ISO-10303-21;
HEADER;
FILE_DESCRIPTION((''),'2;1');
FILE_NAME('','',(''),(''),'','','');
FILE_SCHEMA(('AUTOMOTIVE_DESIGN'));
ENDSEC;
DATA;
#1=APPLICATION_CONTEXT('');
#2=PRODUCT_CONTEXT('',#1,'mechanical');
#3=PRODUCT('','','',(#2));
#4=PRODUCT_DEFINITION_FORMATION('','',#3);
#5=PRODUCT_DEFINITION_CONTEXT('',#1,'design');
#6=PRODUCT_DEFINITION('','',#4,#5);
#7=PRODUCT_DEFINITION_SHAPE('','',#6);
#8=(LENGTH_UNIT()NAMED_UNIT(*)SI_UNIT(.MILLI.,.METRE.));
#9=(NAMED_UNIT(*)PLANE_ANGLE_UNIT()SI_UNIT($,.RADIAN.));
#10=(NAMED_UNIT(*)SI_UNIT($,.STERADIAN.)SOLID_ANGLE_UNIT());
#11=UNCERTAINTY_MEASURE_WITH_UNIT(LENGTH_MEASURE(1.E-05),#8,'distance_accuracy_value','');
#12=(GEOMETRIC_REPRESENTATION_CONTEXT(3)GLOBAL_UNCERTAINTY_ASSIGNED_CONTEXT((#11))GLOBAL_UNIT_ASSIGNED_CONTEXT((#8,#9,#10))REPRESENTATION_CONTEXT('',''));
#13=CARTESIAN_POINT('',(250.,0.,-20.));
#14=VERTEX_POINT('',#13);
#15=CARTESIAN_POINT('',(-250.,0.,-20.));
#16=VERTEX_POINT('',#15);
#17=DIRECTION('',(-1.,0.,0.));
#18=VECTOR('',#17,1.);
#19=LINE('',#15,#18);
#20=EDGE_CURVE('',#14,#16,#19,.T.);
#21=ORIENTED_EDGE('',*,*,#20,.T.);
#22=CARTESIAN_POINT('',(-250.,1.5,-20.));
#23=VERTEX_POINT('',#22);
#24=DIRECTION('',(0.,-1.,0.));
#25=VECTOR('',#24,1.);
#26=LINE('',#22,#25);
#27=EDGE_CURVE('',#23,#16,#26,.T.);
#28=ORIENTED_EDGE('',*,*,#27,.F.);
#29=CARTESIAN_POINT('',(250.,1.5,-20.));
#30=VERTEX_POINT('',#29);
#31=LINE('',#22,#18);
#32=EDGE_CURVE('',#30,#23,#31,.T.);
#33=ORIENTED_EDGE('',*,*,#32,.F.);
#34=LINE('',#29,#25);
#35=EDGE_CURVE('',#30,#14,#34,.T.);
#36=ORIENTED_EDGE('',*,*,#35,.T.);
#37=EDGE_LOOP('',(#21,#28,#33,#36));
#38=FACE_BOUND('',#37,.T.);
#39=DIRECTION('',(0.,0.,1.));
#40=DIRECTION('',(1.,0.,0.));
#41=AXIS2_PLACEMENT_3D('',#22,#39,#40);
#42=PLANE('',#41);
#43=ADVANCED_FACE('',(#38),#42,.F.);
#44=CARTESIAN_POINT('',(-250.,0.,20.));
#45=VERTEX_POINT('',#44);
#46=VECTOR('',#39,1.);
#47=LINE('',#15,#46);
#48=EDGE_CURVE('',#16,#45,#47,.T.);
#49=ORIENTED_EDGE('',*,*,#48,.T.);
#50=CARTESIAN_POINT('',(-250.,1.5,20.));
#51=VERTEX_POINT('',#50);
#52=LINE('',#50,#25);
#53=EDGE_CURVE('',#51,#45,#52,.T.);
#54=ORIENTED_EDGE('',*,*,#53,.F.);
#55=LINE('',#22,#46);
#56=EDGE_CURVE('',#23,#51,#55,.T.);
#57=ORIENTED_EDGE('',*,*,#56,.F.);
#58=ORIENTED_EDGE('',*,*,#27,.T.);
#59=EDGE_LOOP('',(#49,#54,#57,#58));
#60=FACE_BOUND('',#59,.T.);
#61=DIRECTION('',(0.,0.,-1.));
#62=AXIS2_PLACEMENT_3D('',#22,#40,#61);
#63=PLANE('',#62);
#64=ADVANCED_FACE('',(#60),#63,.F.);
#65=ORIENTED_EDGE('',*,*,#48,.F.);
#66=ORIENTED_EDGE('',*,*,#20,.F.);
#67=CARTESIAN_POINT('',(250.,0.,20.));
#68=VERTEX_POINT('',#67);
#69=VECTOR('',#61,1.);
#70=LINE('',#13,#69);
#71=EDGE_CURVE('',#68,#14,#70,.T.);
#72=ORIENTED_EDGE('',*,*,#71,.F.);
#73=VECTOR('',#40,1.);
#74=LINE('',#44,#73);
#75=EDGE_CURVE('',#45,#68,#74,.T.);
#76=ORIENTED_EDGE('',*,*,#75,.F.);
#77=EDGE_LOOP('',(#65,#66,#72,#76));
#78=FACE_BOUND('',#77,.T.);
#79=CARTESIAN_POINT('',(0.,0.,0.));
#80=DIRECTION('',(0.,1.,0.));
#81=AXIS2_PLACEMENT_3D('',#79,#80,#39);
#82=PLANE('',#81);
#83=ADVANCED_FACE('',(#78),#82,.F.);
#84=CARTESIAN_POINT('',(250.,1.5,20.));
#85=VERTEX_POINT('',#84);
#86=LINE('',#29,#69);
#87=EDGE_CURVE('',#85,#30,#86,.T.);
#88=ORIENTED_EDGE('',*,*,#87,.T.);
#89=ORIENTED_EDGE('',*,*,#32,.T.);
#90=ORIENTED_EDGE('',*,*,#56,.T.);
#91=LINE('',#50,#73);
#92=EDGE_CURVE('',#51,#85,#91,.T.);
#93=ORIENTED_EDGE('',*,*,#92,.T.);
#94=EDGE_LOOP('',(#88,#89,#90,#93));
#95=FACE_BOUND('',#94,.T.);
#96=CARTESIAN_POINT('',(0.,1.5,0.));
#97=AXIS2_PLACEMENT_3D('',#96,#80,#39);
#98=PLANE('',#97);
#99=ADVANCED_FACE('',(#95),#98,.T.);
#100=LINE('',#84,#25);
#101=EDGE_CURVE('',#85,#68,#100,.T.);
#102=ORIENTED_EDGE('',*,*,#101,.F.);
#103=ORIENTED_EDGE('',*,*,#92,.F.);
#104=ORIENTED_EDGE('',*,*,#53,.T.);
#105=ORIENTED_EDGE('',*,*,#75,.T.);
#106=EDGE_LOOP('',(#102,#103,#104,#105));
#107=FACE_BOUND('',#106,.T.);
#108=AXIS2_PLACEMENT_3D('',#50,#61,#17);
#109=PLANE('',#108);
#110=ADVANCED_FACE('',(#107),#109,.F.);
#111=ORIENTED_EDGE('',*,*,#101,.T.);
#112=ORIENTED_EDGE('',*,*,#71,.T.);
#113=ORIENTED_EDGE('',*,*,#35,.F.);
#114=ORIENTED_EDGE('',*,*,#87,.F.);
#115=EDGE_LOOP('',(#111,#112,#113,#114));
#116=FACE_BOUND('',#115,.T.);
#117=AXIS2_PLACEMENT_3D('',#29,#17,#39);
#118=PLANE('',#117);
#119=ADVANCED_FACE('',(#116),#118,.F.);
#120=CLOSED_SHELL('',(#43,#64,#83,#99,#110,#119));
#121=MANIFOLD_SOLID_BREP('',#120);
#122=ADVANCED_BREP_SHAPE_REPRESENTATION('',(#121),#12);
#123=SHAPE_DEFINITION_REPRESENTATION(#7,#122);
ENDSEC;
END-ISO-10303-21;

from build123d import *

# Parameters (mm, degrees)
SKETCH_1_W      = 500
SKETCH_1_H      = 40
EXTRUDE_1_DEPTH = 1.5


with BuildPart() as part:
    # Эскиз1 → Бобышка-Вытянуть1 (new body)
    with BuildSketch(Plane(origin=(0, 0, 0), x_dir=(1, 0, 0), z_dir=(0, 1, 0))):
        Rectangle(SKETCH_1_W, SKETCH_1_H)
    extrude(amount=EXTRUDE_1_DEPTH)


solid = part.part
